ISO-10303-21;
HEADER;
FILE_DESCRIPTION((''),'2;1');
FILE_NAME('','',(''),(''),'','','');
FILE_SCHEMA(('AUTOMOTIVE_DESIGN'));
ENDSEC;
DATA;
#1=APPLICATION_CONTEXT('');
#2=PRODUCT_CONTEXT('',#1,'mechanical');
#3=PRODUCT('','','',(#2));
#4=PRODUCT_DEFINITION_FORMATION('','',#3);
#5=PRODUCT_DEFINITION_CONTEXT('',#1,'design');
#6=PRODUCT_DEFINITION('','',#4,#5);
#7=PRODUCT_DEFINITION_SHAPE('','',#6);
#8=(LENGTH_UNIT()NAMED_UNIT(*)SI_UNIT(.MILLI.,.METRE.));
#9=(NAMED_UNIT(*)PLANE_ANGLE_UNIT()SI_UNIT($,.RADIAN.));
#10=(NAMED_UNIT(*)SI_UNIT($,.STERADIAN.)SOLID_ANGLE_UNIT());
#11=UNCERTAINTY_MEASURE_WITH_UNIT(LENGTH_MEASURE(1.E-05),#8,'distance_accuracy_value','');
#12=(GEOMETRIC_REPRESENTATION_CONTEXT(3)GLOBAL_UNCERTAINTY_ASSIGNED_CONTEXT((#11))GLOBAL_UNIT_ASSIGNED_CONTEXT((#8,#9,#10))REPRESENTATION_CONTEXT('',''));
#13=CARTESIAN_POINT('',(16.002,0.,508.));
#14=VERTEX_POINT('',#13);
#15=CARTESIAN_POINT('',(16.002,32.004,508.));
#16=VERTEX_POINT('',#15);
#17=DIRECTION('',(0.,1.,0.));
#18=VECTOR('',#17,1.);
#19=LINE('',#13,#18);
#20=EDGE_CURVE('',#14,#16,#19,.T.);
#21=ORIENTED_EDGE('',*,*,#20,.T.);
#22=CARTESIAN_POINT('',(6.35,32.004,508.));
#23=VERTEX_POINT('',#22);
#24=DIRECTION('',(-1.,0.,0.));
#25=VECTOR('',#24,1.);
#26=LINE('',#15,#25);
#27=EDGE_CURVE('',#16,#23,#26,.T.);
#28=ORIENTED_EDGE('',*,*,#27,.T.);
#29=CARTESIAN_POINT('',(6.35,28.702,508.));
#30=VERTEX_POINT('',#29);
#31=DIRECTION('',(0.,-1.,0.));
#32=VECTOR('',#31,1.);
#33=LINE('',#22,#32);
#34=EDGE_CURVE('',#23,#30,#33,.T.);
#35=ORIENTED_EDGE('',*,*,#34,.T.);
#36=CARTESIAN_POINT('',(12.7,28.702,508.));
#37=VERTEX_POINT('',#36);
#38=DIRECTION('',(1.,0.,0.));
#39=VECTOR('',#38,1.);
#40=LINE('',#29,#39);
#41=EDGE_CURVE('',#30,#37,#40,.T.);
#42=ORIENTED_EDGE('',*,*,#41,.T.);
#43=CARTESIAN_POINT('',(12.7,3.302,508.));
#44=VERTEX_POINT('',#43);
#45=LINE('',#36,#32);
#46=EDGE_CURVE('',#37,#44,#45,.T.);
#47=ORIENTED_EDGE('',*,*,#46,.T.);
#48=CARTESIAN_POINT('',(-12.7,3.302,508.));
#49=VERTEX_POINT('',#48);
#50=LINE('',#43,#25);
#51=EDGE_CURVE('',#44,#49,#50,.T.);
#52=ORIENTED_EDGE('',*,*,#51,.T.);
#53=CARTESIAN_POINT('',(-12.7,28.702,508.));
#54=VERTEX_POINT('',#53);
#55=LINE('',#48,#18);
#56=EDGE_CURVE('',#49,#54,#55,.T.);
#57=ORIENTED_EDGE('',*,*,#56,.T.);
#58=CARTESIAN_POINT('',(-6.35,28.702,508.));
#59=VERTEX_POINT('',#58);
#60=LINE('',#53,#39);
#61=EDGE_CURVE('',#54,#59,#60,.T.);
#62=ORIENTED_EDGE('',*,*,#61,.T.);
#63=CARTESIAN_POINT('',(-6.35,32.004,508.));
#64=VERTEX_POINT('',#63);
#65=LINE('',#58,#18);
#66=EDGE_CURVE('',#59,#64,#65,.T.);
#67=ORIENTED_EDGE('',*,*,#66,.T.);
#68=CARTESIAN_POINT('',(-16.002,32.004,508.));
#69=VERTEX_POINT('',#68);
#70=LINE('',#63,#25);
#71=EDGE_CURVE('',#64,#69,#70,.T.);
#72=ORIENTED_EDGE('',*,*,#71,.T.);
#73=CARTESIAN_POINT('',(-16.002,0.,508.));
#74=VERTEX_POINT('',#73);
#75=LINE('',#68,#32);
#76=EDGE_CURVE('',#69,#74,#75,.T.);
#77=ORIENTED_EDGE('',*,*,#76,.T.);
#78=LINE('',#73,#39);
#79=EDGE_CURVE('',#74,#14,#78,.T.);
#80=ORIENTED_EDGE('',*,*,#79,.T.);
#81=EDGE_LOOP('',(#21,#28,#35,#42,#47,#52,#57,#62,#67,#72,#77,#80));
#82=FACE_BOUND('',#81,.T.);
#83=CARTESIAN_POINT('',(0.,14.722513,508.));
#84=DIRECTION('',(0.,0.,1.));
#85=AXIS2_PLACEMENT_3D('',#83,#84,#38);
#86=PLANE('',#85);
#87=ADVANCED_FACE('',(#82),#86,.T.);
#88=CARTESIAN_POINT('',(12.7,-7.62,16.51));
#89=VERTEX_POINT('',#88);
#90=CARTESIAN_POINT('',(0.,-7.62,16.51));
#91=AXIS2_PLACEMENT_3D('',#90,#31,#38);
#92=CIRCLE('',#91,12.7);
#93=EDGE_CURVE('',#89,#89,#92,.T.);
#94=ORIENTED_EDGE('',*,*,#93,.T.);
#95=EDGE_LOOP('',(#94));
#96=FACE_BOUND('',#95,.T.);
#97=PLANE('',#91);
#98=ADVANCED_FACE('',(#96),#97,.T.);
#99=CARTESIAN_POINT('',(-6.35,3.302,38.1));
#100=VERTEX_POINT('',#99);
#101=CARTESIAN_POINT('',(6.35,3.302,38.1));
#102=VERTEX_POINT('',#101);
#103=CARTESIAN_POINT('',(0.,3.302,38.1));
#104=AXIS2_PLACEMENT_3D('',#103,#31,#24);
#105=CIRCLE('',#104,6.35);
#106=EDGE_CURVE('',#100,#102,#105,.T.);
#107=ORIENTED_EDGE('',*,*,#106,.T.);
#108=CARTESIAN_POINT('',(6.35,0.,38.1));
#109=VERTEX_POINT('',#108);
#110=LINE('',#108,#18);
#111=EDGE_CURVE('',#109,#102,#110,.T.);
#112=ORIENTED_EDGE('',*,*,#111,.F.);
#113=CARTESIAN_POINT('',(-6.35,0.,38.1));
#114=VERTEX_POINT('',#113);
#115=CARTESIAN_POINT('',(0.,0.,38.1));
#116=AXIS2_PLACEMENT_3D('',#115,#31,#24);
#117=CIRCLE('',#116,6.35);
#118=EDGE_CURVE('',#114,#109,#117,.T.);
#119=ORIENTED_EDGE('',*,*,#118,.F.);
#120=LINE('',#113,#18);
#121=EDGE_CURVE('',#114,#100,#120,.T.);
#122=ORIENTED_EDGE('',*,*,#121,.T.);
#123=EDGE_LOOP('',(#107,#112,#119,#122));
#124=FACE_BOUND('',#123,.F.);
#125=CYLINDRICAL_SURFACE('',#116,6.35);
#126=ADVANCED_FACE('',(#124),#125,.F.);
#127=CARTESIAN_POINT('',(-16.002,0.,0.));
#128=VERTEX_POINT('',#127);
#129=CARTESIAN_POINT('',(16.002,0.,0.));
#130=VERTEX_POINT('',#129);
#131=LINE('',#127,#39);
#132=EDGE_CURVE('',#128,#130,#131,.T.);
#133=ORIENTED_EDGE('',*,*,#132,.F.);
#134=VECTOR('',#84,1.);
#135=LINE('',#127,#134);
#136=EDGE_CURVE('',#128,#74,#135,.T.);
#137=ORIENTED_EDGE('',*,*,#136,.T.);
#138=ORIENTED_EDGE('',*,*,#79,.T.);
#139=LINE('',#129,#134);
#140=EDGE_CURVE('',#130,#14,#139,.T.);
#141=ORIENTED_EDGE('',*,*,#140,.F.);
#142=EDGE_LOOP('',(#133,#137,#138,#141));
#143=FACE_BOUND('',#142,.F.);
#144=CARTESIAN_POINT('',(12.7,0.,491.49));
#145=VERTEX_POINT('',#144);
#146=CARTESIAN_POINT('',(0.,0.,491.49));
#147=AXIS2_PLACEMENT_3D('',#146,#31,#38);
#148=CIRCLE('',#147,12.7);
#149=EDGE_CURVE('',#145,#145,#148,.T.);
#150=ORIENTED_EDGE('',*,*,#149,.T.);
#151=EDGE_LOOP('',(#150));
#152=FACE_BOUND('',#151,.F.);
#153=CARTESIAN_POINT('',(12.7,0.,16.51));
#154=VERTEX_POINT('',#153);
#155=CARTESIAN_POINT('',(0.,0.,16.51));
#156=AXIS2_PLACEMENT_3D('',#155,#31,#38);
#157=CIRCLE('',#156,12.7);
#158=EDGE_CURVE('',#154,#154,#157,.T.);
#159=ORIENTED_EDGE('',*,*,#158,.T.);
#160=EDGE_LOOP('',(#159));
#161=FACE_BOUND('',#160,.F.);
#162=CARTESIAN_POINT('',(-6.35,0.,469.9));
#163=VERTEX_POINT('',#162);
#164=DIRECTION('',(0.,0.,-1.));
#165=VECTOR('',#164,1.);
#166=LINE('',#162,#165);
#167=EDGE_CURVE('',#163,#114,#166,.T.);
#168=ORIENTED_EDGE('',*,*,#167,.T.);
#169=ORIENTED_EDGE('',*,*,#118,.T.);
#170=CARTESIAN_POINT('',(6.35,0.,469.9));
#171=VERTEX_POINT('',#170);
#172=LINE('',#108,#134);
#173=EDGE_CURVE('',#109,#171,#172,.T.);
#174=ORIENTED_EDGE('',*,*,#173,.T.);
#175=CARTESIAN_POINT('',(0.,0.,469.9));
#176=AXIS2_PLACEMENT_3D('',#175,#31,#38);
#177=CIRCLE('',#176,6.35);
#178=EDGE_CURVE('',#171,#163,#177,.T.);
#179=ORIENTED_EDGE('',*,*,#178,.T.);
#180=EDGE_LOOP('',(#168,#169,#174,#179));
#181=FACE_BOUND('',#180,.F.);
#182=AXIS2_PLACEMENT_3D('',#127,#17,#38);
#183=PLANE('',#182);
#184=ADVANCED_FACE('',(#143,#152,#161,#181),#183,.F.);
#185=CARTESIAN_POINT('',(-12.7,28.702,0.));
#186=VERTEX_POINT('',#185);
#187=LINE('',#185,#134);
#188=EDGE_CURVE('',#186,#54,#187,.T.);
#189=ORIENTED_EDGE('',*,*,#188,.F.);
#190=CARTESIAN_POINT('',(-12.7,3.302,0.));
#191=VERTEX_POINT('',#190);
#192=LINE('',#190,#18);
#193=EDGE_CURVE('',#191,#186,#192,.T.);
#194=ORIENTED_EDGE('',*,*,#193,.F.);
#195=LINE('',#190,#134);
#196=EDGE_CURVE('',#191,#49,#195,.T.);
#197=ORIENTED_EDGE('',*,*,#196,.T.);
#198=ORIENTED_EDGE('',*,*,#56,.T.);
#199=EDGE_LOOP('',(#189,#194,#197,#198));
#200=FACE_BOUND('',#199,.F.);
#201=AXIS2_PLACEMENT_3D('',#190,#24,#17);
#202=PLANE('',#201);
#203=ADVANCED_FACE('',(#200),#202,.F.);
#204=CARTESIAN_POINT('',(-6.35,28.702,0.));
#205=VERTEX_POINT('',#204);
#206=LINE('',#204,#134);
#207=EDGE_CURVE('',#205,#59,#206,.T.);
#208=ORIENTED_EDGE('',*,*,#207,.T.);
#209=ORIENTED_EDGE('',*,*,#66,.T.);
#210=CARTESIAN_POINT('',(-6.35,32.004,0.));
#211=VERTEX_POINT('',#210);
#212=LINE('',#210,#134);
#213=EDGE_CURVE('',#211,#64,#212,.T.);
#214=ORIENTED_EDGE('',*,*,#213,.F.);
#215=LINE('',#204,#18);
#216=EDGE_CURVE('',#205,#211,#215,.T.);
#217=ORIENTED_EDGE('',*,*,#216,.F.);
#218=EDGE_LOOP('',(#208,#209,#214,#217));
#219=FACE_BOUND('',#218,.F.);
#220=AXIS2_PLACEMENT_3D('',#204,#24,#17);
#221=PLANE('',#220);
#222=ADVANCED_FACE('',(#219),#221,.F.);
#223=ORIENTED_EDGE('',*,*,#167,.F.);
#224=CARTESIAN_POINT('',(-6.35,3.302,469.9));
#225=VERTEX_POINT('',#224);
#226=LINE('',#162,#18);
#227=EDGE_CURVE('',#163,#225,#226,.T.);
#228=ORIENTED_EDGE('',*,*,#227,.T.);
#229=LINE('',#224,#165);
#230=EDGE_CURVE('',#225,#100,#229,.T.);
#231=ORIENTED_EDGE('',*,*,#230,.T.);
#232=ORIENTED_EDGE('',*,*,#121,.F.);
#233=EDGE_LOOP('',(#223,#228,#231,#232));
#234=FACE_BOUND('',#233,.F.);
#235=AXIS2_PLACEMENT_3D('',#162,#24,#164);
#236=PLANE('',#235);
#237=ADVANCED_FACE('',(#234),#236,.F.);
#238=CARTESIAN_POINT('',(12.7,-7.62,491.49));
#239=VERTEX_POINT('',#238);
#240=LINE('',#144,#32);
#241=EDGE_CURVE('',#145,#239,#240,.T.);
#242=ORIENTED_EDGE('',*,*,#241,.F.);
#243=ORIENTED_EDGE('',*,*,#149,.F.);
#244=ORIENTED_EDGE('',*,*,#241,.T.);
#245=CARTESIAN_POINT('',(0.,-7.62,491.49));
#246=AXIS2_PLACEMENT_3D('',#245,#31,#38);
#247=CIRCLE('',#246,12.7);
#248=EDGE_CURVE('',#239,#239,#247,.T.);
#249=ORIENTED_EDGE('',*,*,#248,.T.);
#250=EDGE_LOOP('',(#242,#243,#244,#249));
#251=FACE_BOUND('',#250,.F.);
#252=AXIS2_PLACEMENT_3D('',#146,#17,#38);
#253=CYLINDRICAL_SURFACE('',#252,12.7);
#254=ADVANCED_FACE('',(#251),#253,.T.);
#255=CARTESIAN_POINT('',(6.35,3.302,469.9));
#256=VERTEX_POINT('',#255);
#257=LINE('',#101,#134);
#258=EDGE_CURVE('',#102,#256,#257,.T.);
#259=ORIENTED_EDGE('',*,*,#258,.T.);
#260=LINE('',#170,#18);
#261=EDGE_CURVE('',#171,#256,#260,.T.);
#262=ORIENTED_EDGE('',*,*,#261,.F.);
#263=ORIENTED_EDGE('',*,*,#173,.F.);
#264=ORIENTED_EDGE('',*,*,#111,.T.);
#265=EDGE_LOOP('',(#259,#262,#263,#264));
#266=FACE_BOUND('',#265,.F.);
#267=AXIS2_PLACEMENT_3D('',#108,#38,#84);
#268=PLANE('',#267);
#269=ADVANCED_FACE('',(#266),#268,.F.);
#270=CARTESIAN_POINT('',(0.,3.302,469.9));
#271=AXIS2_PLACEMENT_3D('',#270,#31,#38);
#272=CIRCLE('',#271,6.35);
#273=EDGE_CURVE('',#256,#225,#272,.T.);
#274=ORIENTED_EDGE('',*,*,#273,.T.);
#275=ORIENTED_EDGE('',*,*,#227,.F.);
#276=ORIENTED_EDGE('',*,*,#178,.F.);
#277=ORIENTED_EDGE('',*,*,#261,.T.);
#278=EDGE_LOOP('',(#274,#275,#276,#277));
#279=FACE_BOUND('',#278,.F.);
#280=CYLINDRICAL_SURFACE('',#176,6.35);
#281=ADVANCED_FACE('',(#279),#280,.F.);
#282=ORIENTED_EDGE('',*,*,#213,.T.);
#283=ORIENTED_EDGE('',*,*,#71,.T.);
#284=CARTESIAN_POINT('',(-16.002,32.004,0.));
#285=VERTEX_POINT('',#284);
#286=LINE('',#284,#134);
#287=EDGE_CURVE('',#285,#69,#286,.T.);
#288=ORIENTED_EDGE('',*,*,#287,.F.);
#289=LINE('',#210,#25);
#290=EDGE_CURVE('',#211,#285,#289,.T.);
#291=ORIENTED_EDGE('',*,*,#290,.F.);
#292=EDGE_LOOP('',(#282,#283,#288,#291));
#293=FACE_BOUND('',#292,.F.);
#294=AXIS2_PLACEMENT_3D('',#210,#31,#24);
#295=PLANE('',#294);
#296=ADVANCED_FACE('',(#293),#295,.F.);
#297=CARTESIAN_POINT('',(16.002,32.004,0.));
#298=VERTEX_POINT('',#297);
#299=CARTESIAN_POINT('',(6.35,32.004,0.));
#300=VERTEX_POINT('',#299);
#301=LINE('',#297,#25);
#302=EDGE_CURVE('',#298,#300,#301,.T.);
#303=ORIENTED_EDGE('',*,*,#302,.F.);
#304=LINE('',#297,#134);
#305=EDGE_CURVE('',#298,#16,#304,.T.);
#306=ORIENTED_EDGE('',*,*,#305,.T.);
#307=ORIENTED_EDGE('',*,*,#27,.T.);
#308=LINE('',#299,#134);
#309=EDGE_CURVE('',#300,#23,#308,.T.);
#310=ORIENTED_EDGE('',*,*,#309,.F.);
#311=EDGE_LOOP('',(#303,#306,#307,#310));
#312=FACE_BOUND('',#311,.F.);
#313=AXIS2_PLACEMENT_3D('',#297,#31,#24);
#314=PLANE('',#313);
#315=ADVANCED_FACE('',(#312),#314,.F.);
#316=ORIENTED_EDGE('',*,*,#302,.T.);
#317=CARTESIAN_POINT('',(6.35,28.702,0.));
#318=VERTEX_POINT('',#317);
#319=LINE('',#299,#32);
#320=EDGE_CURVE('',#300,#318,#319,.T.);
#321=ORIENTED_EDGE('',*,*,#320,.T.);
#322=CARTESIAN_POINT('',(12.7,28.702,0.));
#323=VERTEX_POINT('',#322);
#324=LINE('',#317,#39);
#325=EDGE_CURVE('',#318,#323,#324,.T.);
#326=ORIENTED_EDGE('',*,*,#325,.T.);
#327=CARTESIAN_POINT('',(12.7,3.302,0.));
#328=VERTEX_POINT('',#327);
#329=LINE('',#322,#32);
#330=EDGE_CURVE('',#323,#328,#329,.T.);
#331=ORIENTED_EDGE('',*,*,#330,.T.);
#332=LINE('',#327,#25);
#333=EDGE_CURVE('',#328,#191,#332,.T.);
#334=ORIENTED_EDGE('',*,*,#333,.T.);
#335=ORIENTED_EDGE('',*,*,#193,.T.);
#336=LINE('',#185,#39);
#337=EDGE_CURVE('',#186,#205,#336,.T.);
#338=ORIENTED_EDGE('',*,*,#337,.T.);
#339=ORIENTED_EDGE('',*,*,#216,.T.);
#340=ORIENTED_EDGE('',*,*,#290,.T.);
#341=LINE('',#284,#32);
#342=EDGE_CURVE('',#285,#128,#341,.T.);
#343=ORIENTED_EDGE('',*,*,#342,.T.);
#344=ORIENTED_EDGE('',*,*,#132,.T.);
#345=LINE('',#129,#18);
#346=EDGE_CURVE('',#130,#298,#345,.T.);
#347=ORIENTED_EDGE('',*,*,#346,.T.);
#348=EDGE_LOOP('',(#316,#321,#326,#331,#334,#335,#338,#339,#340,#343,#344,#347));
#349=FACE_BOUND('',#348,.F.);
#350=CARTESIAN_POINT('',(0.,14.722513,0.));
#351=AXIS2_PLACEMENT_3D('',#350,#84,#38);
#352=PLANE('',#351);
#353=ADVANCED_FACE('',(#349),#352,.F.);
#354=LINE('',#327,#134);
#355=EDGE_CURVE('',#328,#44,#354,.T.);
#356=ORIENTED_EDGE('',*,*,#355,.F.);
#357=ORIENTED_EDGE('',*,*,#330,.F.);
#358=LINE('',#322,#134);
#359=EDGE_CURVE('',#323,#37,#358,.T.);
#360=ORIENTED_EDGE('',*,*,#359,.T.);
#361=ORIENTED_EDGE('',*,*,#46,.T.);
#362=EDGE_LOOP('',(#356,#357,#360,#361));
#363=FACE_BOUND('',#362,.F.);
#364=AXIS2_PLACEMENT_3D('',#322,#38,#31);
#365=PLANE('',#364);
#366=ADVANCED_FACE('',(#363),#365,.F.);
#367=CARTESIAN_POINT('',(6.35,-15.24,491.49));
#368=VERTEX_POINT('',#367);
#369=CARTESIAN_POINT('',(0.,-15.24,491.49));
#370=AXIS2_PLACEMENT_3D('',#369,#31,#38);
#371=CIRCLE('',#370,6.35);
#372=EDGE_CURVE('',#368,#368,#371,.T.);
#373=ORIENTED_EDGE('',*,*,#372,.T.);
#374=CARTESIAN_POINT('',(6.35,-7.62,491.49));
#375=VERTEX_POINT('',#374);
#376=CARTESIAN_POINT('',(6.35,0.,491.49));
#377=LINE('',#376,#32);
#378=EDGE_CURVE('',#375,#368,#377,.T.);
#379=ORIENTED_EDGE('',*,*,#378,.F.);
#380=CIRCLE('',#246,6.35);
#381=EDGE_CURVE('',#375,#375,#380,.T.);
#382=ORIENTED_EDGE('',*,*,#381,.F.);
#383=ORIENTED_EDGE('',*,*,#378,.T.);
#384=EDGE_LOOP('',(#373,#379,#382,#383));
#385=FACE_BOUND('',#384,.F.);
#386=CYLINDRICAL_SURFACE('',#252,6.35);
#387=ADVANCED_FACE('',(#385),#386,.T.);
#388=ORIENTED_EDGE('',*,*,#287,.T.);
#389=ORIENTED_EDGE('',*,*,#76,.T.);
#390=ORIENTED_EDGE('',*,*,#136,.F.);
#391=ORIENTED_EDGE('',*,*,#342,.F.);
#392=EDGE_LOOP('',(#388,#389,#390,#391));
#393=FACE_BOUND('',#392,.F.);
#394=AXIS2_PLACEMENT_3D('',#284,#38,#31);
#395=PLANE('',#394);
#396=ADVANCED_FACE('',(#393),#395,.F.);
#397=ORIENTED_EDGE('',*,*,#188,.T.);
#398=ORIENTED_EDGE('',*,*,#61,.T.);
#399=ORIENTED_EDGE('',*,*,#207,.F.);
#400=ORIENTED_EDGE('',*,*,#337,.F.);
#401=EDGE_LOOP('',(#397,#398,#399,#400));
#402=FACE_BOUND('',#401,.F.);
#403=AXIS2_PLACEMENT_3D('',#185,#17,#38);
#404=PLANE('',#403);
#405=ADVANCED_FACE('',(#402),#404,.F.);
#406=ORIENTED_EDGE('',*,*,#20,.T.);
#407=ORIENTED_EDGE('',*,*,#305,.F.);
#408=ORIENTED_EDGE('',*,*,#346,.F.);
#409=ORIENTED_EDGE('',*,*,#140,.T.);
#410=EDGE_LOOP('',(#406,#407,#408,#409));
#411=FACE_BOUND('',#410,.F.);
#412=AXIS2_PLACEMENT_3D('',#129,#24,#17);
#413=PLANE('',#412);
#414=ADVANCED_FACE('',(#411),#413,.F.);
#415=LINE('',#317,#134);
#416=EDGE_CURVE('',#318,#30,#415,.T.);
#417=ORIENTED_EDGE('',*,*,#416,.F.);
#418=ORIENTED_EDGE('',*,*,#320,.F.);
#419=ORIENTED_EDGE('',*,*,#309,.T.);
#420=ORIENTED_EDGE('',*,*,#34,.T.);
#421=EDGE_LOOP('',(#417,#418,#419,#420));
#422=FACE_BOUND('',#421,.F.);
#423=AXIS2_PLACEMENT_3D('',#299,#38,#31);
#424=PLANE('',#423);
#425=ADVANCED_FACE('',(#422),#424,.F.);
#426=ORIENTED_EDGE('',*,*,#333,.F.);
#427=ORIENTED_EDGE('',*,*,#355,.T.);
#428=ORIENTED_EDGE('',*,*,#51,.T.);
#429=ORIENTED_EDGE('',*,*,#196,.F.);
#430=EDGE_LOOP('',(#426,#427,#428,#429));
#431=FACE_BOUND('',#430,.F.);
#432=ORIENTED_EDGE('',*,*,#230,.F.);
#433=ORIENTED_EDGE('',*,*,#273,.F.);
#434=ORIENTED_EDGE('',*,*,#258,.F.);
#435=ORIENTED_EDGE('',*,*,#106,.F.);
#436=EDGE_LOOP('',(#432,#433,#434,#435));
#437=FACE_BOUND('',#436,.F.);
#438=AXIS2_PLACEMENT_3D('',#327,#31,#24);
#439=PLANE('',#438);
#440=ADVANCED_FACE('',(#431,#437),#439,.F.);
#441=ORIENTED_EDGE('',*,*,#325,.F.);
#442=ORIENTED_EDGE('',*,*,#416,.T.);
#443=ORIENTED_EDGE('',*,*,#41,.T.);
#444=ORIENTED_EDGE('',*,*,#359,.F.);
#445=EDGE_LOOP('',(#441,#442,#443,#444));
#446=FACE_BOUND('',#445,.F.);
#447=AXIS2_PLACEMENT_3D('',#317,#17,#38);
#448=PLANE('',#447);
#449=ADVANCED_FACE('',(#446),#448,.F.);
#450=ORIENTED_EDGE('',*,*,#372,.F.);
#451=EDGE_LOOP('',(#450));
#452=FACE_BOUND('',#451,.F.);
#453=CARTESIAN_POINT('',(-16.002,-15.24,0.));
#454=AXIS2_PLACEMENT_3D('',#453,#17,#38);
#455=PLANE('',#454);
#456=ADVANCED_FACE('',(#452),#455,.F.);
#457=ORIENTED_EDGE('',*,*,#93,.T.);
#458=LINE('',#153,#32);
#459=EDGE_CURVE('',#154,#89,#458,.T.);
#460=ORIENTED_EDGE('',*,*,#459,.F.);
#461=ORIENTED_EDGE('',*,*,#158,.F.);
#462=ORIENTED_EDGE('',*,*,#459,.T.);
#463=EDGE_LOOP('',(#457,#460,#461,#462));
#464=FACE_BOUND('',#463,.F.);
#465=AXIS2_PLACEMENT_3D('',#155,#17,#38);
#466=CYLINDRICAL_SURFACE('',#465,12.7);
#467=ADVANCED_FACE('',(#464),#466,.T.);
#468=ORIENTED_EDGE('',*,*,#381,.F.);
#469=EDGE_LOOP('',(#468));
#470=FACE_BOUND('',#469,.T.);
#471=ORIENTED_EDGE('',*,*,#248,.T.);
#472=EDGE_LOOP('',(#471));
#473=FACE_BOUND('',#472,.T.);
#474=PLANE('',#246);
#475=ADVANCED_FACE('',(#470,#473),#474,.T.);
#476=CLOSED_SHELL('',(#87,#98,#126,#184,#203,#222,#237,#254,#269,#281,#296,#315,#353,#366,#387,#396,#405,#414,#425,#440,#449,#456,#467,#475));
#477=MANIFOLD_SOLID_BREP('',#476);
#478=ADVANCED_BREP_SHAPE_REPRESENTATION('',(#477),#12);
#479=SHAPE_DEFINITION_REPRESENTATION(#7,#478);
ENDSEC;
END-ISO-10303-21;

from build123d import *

# Parameters (mm, degrees)
F1_DEPTH = 508
F2_R     = 12.7
F2_R_2   = 6.35
F3_DEPTH = 7.62
F4_DEPTH = 15.24
F6_DEPTH = 3.302


with BuildPart() as f1:
    # F0 (on Top) → F1 (new body)
    with BuildSketch(Plane.XY):
        Polygon((-16.002, 32.004), (-16.002, 0), (0, 0), (16.002, 0), (16.002, 32.004), (6.35, 32.004), (6.35, 28.702), (12.7, 28.702), (12.7, 3.302), (0, 3.302), (-12.7, 3.302), (-12.7, 28.702), (-6.35, 28.702), (-6.35, 32.004), align=None)
    extrude(amount=F1_DEPTH)

    # F2 (on face) → F3 (join)
    with BuildSketch(Plane.XZ):
        with Locations((0, 491.49)):
            Circle(F2_R)
        with Locations((0, 491.49)):
            Circle(F2_R_2, mode=Mode.SUBTRACT)
        with Locations((0, 16.51)):
            Circle(F2_R)
    extrude(amount=F3_DEPTH)

    # F4 (add): a face of the model
    f4_faces = [f1.faces().sort_by_distance(p)[0] for p in [
        (0, 0, 491.49),
    ]]
    extrude(f4_faces, amount=F4_DEPTH)

    # F5 (on face) → F6 (cut, through all)
    with BuildSketch(Plane.XZ):
        with BuildLine():
            Line((-6.35, 469.9), (-6.35, 38.1))
            ThreePointArc((-6.35, 38.1), (0, 31.75), (6.35, 38.1))
            Line((6.35, 38.1), (6.35, 469.9))
            ThreePointArc((6.35, 469.9), (0, 476.25), (-6.35, 469.9))
        make_face()
    extrude(amount=-F6_DEPTH, mode=Mode.SUBTRACT)


solid = f1.part
